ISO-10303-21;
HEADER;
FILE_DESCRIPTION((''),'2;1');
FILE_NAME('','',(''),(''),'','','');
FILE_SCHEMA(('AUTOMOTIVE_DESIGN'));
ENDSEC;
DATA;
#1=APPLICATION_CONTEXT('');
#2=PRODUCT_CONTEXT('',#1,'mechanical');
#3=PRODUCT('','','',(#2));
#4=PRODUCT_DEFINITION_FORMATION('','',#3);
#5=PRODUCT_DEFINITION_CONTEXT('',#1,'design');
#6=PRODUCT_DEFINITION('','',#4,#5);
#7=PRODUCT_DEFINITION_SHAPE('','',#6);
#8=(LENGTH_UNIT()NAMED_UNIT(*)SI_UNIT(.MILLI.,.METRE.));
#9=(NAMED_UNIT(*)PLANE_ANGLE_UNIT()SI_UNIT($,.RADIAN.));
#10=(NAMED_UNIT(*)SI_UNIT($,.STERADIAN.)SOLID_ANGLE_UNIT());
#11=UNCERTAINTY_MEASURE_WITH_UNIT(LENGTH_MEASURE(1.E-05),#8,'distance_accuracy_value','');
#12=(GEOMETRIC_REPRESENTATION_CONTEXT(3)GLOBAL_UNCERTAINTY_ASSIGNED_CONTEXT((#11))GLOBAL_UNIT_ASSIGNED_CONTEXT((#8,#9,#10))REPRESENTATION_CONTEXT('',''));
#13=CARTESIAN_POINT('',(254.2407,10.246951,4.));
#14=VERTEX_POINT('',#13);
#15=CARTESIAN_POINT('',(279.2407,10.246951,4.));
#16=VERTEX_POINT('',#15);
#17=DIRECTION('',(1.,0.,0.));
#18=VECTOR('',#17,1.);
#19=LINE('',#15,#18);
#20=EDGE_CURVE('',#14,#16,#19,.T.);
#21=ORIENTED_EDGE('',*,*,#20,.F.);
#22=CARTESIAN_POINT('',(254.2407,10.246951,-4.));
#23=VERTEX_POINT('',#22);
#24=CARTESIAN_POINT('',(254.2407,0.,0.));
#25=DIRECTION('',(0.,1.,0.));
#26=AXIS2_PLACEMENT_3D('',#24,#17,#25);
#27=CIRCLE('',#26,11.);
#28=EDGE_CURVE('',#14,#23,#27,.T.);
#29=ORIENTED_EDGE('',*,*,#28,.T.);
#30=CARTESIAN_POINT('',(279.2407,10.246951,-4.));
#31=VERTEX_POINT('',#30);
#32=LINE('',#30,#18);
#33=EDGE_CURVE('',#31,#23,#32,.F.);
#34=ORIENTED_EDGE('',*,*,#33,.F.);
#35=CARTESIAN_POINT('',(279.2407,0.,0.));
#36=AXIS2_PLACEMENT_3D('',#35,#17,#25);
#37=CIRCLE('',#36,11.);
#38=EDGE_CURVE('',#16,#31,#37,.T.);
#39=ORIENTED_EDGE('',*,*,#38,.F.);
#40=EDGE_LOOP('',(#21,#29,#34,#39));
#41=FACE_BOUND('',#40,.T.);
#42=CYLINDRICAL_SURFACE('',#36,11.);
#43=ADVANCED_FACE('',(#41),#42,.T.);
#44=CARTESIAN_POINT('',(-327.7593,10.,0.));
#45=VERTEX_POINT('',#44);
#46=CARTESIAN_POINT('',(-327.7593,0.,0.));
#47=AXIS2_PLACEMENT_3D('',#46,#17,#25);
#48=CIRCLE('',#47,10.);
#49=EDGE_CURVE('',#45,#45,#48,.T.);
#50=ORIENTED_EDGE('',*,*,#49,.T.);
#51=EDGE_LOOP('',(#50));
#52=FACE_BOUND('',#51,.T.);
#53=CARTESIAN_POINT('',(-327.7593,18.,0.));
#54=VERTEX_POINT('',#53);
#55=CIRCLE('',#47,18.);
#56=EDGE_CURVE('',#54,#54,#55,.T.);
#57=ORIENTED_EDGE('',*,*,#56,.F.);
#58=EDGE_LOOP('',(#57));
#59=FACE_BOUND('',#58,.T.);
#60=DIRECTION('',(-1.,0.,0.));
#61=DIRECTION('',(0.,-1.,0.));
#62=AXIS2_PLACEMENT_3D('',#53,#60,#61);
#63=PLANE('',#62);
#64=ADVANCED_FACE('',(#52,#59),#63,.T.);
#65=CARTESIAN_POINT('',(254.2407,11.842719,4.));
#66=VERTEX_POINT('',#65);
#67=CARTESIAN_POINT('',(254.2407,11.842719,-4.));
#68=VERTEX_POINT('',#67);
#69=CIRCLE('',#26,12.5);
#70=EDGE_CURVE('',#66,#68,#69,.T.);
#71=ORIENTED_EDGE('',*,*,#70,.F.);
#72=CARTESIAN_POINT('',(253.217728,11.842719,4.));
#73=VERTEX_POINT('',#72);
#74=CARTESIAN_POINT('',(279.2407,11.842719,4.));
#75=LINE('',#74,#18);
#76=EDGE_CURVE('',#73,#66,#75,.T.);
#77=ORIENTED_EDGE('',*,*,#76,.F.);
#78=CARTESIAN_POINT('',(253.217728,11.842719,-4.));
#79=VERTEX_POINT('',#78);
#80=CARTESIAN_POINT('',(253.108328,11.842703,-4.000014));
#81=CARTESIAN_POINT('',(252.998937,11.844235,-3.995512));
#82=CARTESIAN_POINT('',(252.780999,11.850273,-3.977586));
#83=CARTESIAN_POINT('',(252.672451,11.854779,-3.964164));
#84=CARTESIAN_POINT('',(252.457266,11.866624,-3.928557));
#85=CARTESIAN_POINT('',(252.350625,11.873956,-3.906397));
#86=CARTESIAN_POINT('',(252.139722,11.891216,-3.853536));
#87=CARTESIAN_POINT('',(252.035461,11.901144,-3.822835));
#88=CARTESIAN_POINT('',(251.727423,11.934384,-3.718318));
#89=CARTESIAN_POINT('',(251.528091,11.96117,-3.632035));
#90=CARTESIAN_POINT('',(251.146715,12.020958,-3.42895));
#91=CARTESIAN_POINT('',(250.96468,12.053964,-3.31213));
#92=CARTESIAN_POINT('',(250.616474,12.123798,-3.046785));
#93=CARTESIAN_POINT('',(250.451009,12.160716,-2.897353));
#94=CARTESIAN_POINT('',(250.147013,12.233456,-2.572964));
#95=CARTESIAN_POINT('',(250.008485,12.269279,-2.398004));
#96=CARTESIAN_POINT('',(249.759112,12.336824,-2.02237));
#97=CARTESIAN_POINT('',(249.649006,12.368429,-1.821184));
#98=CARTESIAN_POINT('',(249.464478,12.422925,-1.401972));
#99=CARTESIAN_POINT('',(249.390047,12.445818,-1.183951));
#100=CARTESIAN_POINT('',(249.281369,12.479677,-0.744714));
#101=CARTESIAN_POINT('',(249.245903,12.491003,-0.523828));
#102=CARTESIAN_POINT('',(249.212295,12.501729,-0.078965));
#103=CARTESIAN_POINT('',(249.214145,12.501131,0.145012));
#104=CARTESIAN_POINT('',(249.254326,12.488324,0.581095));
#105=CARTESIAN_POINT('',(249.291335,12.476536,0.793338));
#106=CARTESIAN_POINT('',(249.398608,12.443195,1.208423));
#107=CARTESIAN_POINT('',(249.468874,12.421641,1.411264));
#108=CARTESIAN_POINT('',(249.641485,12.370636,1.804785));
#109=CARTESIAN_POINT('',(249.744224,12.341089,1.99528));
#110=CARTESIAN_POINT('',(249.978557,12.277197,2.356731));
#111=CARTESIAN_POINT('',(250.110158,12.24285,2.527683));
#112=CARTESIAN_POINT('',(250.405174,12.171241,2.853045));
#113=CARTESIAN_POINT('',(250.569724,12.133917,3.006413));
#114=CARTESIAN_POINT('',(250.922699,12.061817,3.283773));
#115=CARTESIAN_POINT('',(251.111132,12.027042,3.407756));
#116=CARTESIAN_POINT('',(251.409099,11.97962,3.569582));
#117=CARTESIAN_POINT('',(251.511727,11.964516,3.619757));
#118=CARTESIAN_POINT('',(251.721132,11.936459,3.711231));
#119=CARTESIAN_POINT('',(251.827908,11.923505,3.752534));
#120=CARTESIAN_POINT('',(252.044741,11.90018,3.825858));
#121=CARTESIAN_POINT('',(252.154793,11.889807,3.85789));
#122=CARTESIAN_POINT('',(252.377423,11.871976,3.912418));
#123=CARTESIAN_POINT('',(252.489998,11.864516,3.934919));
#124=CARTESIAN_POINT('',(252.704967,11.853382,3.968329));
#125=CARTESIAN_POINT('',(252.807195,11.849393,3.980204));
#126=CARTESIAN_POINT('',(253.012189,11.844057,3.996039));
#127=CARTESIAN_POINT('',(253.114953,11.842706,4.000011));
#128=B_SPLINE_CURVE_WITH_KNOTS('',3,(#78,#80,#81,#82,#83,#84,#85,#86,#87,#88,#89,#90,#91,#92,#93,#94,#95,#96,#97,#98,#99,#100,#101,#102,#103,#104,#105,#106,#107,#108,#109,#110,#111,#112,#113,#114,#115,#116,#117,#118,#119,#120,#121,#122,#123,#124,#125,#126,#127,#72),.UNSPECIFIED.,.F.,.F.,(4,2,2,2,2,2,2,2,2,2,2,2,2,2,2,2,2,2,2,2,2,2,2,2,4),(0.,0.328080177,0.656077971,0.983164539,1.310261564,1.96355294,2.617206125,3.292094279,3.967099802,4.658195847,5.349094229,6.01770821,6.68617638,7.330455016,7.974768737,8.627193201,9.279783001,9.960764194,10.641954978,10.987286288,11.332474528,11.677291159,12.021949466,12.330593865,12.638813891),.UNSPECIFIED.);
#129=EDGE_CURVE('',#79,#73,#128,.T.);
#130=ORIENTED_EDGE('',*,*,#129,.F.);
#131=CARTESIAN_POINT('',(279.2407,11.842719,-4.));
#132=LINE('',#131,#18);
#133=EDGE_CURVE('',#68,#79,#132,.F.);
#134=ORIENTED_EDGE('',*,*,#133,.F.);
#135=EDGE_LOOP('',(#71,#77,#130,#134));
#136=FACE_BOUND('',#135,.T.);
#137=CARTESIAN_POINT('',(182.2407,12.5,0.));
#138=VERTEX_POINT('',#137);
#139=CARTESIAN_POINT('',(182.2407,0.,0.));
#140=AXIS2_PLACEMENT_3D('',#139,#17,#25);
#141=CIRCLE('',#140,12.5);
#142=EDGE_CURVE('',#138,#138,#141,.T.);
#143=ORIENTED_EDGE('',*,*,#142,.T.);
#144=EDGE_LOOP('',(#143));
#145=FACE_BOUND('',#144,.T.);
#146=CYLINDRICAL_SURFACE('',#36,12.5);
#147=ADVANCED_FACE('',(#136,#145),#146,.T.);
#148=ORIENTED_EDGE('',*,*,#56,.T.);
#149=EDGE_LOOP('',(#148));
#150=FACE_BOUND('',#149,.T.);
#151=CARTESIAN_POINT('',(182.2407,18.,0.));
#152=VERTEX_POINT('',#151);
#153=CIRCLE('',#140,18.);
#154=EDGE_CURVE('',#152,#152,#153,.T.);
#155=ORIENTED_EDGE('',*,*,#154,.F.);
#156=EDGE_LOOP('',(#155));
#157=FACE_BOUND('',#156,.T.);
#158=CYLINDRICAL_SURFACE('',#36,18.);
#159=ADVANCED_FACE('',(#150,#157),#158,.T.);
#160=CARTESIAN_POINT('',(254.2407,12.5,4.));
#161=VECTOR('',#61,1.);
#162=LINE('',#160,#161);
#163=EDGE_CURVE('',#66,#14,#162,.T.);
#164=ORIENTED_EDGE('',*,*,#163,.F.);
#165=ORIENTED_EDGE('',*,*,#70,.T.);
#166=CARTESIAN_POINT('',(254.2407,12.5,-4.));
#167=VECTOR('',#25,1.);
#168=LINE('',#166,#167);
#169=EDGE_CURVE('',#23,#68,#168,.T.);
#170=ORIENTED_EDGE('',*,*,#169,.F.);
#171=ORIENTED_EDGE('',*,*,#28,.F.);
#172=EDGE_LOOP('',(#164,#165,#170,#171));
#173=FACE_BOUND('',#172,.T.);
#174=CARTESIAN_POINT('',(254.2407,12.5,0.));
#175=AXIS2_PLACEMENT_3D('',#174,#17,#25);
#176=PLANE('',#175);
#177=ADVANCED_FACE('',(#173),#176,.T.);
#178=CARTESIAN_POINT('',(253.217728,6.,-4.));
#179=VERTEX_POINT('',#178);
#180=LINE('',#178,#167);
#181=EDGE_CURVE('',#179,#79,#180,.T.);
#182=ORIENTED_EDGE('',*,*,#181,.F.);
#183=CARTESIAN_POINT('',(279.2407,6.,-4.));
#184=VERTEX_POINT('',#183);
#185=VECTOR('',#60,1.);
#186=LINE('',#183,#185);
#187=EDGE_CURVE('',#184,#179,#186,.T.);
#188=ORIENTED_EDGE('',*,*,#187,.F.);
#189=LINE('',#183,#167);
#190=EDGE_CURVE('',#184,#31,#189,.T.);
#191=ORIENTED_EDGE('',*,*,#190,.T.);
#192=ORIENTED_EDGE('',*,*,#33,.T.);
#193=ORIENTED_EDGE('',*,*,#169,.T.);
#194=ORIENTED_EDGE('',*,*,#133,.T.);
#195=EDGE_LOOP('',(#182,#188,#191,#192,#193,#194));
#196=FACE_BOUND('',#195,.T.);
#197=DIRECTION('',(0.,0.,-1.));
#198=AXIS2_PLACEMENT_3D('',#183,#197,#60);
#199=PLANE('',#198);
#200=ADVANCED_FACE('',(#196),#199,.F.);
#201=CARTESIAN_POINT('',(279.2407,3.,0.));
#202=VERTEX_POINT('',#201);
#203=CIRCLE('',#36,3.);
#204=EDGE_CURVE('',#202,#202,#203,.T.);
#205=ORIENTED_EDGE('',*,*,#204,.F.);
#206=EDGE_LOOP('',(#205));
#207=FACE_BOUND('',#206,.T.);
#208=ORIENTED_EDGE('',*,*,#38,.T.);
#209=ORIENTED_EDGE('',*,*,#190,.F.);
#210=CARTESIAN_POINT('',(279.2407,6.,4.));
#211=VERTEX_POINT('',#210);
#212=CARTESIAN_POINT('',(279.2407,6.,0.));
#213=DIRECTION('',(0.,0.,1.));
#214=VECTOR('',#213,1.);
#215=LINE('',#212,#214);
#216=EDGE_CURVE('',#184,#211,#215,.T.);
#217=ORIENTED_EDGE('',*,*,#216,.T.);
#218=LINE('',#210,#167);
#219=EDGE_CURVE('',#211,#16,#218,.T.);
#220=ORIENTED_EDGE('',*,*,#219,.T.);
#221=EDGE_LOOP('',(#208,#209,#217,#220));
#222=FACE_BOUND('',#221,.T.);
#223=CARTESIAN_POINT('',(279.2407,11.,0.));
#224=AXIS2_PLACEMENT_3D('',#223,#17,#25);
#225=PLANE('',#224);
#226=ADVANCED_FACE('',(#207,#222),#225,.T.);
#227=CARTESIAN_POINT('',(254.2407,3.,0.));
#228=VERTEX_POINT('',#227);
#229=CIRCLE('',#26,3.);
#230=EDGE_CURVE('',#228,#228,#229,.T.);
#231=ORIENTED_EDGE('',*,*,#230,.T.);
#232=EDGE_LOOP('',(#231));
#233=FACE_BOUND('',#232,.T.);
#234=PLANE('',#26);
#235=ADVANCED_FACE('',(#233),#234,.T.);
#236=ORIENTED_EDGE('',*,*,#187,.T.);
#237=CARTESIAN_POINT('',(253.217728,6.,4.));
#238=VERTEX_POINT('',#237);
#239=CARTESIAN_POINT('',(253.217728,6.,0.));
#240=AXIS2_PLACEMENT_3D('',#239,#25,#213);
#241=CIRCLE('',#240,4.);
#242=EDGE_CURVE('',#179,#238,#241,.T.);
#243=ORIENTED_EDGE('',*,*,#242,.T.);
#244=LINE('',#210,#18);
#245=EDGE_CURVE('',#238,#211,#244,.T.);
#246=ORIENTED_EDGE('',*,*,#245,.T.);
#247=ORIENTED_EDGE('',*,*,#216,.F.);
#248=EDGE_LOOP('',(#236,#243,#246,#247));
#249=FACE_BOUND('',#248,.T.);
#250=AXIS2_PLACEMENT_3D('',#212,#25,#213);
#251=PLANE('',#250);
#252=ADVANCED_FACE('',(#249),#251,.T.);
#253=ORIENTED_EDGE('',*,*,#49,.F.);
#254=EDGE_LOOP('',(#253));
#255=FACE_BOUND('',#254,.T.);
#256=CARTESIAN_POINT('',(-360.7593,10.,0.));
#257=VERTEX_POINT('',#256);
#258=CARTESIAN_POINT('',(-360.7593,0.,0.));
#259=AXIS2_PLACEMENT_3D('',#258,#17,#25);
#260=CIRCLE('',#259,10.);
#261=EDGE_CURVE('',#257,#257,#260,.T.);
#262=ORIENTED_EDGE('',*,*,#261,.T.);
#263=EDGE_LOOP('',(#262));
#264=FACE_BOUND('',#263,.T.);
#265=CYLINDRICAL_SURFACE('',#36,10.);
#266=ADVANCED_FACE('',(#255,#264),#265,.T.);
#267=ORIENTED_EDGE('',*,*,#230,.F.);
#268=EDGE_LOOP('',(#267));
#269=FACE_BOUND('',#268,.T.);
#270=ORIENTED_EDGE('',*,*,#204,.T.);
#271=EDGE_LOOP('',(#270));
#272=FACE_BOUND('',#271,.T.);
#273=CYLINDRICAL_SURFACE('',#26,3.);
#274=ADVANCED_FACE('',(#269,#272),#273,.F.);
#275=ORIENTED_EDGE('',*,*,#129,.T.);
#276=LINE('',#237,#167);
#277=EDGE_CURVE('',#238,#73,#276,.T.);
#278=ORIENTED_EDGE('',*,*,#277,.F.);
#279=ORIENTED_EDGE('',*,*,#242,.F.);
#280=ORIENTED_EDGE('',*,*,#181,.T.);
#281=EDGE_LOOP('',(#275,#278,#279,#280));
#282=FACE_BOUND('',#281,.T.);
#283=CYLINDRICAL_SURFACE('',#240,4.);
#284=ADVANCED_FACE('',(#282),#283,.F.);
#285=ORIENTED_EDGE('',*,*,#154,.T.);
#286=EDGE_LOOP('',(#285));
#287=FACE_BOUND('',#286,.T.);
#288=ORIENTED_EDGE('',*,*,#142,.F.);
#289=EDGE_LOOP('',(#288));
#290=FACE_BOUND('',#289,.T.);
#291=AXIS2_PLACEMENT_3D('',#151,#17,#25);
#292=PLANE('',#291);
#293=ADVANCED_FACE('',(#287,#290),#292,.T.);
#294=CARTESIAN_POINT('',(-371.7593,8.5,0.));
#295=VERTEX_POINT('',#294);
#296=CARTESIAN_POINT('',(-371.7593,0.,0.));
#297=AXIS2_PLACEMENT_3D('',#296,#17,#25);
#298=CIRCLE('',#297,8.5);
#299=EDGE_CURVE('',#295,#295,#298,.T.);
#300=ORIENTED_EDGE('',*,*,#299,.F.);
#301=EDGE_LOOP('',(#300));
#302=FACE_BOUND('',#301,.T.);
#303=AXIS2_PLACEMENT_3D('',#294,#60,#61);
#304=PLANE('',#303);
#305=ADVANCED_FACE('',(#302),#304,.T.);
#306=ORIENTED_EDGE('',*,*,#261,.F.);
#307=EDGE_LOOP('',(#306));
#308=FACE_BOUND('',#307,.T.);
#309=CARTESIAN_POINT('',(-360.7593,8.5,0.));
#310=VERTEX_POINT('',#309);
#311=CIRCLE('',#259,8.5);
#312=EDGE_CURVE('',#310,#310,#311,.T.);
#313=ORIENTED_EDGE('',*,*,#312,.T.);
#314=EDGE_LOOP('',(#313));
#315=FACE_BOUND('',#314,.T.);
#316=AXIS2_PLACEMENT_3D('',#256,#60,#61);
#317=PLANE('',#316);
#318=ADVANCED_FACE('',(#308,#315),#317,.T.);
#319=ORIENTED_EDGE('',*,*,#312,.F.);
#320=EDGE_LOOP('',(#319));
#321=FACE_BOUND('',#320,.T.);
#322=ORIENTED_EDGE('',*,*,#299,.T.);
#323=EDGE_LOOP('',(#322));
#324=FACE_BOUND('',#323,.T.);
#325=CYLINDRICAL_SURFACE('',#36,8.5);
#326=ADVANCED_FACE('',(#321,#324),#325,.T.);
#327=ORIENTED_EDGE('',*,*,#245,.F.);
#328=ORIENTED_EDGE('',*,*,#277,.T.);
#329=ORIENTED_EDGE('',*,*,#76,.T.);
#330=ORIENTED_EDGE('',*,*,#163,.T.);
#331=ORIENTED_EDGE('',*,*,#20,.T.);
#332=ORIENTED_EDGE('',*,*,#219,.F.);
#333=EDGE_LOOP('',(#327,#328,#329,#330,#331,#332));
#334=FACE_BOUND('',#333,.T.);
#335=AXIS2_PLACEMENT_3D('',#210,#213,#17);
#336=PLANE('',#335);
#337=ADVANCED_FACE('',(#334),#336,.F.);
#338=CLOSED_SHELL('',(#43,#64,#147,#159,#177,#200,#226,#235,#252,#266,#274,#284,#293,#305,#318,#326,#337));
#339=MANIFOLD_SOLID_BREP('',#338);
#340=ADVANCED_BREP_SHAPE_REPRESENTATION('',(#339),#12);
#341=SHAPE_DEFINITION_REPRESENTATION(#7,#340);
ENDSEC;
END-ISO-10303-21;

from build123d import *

# Parameters (mm, degrees)
CUT_EXTRUDE1_DEPTH = 14
SKETCH4_R          = 3
CUT_EXTRUDE2_DEPTH = 25


with BuildPart() as part:
    # Sketch1 → Revolve1 (revolve)
    with BuildSketch(Plane.XY):
        Polygon((254.240699987, 11), (279.240699987, 11), (279.240699987, 0), (-371.759300013, 0), (-371.759300013, 8.5), (-360.759300013, 8.5), (-360.759300013, 10), (-327.759300013, 10), (-327.759300013, 18), (182.240699987, 18), (182.240699987, 12.5), (254.240699987, 12.5), align=None)
    revolve(axis=Axis((279.240699987, 0, 0), (-1, 0, 0)))

    # Sketch3 → Cut-Extrude1 (cut)
    with BuildSketch(Plane(origin=(0, 20, 0), x_dir=(1, 0, 0), z_dir=(0, 1, 0))):
        with BuildLine():
            Line((279.240699987, -4), (253.217727507, -4))
            ThreePointArc((253.217727507, -4), (249.217727507, 0), (253.217727507, 4))
            Line((253.217727507, 4), (279.240699987, 4))
            ThreePointArc((279.240699987, 4), (283.240699987, 0), (279.240699987, -4))
        make_face()
    extrude(amount=-CUT_EXTRUDE1_DEPTH, mode=Mode.SUBTRACT)

    # Sketch4 → Cut-Extrude2 (cut)
    with BuildSketch(Plane(origin=(279.240699987, 0, 0), x_dir=(0, 0, -1), z_dir=(1, 0, 0))):
        with Locations(Location((0, 0, 0), (0, 0, 90))):
            Circle(SKETCH4_R)
    extrude(amount=-CUT_EXTRUDE2_DEPTH, mode=Mode.SUBTRACT)


solid = part.part
